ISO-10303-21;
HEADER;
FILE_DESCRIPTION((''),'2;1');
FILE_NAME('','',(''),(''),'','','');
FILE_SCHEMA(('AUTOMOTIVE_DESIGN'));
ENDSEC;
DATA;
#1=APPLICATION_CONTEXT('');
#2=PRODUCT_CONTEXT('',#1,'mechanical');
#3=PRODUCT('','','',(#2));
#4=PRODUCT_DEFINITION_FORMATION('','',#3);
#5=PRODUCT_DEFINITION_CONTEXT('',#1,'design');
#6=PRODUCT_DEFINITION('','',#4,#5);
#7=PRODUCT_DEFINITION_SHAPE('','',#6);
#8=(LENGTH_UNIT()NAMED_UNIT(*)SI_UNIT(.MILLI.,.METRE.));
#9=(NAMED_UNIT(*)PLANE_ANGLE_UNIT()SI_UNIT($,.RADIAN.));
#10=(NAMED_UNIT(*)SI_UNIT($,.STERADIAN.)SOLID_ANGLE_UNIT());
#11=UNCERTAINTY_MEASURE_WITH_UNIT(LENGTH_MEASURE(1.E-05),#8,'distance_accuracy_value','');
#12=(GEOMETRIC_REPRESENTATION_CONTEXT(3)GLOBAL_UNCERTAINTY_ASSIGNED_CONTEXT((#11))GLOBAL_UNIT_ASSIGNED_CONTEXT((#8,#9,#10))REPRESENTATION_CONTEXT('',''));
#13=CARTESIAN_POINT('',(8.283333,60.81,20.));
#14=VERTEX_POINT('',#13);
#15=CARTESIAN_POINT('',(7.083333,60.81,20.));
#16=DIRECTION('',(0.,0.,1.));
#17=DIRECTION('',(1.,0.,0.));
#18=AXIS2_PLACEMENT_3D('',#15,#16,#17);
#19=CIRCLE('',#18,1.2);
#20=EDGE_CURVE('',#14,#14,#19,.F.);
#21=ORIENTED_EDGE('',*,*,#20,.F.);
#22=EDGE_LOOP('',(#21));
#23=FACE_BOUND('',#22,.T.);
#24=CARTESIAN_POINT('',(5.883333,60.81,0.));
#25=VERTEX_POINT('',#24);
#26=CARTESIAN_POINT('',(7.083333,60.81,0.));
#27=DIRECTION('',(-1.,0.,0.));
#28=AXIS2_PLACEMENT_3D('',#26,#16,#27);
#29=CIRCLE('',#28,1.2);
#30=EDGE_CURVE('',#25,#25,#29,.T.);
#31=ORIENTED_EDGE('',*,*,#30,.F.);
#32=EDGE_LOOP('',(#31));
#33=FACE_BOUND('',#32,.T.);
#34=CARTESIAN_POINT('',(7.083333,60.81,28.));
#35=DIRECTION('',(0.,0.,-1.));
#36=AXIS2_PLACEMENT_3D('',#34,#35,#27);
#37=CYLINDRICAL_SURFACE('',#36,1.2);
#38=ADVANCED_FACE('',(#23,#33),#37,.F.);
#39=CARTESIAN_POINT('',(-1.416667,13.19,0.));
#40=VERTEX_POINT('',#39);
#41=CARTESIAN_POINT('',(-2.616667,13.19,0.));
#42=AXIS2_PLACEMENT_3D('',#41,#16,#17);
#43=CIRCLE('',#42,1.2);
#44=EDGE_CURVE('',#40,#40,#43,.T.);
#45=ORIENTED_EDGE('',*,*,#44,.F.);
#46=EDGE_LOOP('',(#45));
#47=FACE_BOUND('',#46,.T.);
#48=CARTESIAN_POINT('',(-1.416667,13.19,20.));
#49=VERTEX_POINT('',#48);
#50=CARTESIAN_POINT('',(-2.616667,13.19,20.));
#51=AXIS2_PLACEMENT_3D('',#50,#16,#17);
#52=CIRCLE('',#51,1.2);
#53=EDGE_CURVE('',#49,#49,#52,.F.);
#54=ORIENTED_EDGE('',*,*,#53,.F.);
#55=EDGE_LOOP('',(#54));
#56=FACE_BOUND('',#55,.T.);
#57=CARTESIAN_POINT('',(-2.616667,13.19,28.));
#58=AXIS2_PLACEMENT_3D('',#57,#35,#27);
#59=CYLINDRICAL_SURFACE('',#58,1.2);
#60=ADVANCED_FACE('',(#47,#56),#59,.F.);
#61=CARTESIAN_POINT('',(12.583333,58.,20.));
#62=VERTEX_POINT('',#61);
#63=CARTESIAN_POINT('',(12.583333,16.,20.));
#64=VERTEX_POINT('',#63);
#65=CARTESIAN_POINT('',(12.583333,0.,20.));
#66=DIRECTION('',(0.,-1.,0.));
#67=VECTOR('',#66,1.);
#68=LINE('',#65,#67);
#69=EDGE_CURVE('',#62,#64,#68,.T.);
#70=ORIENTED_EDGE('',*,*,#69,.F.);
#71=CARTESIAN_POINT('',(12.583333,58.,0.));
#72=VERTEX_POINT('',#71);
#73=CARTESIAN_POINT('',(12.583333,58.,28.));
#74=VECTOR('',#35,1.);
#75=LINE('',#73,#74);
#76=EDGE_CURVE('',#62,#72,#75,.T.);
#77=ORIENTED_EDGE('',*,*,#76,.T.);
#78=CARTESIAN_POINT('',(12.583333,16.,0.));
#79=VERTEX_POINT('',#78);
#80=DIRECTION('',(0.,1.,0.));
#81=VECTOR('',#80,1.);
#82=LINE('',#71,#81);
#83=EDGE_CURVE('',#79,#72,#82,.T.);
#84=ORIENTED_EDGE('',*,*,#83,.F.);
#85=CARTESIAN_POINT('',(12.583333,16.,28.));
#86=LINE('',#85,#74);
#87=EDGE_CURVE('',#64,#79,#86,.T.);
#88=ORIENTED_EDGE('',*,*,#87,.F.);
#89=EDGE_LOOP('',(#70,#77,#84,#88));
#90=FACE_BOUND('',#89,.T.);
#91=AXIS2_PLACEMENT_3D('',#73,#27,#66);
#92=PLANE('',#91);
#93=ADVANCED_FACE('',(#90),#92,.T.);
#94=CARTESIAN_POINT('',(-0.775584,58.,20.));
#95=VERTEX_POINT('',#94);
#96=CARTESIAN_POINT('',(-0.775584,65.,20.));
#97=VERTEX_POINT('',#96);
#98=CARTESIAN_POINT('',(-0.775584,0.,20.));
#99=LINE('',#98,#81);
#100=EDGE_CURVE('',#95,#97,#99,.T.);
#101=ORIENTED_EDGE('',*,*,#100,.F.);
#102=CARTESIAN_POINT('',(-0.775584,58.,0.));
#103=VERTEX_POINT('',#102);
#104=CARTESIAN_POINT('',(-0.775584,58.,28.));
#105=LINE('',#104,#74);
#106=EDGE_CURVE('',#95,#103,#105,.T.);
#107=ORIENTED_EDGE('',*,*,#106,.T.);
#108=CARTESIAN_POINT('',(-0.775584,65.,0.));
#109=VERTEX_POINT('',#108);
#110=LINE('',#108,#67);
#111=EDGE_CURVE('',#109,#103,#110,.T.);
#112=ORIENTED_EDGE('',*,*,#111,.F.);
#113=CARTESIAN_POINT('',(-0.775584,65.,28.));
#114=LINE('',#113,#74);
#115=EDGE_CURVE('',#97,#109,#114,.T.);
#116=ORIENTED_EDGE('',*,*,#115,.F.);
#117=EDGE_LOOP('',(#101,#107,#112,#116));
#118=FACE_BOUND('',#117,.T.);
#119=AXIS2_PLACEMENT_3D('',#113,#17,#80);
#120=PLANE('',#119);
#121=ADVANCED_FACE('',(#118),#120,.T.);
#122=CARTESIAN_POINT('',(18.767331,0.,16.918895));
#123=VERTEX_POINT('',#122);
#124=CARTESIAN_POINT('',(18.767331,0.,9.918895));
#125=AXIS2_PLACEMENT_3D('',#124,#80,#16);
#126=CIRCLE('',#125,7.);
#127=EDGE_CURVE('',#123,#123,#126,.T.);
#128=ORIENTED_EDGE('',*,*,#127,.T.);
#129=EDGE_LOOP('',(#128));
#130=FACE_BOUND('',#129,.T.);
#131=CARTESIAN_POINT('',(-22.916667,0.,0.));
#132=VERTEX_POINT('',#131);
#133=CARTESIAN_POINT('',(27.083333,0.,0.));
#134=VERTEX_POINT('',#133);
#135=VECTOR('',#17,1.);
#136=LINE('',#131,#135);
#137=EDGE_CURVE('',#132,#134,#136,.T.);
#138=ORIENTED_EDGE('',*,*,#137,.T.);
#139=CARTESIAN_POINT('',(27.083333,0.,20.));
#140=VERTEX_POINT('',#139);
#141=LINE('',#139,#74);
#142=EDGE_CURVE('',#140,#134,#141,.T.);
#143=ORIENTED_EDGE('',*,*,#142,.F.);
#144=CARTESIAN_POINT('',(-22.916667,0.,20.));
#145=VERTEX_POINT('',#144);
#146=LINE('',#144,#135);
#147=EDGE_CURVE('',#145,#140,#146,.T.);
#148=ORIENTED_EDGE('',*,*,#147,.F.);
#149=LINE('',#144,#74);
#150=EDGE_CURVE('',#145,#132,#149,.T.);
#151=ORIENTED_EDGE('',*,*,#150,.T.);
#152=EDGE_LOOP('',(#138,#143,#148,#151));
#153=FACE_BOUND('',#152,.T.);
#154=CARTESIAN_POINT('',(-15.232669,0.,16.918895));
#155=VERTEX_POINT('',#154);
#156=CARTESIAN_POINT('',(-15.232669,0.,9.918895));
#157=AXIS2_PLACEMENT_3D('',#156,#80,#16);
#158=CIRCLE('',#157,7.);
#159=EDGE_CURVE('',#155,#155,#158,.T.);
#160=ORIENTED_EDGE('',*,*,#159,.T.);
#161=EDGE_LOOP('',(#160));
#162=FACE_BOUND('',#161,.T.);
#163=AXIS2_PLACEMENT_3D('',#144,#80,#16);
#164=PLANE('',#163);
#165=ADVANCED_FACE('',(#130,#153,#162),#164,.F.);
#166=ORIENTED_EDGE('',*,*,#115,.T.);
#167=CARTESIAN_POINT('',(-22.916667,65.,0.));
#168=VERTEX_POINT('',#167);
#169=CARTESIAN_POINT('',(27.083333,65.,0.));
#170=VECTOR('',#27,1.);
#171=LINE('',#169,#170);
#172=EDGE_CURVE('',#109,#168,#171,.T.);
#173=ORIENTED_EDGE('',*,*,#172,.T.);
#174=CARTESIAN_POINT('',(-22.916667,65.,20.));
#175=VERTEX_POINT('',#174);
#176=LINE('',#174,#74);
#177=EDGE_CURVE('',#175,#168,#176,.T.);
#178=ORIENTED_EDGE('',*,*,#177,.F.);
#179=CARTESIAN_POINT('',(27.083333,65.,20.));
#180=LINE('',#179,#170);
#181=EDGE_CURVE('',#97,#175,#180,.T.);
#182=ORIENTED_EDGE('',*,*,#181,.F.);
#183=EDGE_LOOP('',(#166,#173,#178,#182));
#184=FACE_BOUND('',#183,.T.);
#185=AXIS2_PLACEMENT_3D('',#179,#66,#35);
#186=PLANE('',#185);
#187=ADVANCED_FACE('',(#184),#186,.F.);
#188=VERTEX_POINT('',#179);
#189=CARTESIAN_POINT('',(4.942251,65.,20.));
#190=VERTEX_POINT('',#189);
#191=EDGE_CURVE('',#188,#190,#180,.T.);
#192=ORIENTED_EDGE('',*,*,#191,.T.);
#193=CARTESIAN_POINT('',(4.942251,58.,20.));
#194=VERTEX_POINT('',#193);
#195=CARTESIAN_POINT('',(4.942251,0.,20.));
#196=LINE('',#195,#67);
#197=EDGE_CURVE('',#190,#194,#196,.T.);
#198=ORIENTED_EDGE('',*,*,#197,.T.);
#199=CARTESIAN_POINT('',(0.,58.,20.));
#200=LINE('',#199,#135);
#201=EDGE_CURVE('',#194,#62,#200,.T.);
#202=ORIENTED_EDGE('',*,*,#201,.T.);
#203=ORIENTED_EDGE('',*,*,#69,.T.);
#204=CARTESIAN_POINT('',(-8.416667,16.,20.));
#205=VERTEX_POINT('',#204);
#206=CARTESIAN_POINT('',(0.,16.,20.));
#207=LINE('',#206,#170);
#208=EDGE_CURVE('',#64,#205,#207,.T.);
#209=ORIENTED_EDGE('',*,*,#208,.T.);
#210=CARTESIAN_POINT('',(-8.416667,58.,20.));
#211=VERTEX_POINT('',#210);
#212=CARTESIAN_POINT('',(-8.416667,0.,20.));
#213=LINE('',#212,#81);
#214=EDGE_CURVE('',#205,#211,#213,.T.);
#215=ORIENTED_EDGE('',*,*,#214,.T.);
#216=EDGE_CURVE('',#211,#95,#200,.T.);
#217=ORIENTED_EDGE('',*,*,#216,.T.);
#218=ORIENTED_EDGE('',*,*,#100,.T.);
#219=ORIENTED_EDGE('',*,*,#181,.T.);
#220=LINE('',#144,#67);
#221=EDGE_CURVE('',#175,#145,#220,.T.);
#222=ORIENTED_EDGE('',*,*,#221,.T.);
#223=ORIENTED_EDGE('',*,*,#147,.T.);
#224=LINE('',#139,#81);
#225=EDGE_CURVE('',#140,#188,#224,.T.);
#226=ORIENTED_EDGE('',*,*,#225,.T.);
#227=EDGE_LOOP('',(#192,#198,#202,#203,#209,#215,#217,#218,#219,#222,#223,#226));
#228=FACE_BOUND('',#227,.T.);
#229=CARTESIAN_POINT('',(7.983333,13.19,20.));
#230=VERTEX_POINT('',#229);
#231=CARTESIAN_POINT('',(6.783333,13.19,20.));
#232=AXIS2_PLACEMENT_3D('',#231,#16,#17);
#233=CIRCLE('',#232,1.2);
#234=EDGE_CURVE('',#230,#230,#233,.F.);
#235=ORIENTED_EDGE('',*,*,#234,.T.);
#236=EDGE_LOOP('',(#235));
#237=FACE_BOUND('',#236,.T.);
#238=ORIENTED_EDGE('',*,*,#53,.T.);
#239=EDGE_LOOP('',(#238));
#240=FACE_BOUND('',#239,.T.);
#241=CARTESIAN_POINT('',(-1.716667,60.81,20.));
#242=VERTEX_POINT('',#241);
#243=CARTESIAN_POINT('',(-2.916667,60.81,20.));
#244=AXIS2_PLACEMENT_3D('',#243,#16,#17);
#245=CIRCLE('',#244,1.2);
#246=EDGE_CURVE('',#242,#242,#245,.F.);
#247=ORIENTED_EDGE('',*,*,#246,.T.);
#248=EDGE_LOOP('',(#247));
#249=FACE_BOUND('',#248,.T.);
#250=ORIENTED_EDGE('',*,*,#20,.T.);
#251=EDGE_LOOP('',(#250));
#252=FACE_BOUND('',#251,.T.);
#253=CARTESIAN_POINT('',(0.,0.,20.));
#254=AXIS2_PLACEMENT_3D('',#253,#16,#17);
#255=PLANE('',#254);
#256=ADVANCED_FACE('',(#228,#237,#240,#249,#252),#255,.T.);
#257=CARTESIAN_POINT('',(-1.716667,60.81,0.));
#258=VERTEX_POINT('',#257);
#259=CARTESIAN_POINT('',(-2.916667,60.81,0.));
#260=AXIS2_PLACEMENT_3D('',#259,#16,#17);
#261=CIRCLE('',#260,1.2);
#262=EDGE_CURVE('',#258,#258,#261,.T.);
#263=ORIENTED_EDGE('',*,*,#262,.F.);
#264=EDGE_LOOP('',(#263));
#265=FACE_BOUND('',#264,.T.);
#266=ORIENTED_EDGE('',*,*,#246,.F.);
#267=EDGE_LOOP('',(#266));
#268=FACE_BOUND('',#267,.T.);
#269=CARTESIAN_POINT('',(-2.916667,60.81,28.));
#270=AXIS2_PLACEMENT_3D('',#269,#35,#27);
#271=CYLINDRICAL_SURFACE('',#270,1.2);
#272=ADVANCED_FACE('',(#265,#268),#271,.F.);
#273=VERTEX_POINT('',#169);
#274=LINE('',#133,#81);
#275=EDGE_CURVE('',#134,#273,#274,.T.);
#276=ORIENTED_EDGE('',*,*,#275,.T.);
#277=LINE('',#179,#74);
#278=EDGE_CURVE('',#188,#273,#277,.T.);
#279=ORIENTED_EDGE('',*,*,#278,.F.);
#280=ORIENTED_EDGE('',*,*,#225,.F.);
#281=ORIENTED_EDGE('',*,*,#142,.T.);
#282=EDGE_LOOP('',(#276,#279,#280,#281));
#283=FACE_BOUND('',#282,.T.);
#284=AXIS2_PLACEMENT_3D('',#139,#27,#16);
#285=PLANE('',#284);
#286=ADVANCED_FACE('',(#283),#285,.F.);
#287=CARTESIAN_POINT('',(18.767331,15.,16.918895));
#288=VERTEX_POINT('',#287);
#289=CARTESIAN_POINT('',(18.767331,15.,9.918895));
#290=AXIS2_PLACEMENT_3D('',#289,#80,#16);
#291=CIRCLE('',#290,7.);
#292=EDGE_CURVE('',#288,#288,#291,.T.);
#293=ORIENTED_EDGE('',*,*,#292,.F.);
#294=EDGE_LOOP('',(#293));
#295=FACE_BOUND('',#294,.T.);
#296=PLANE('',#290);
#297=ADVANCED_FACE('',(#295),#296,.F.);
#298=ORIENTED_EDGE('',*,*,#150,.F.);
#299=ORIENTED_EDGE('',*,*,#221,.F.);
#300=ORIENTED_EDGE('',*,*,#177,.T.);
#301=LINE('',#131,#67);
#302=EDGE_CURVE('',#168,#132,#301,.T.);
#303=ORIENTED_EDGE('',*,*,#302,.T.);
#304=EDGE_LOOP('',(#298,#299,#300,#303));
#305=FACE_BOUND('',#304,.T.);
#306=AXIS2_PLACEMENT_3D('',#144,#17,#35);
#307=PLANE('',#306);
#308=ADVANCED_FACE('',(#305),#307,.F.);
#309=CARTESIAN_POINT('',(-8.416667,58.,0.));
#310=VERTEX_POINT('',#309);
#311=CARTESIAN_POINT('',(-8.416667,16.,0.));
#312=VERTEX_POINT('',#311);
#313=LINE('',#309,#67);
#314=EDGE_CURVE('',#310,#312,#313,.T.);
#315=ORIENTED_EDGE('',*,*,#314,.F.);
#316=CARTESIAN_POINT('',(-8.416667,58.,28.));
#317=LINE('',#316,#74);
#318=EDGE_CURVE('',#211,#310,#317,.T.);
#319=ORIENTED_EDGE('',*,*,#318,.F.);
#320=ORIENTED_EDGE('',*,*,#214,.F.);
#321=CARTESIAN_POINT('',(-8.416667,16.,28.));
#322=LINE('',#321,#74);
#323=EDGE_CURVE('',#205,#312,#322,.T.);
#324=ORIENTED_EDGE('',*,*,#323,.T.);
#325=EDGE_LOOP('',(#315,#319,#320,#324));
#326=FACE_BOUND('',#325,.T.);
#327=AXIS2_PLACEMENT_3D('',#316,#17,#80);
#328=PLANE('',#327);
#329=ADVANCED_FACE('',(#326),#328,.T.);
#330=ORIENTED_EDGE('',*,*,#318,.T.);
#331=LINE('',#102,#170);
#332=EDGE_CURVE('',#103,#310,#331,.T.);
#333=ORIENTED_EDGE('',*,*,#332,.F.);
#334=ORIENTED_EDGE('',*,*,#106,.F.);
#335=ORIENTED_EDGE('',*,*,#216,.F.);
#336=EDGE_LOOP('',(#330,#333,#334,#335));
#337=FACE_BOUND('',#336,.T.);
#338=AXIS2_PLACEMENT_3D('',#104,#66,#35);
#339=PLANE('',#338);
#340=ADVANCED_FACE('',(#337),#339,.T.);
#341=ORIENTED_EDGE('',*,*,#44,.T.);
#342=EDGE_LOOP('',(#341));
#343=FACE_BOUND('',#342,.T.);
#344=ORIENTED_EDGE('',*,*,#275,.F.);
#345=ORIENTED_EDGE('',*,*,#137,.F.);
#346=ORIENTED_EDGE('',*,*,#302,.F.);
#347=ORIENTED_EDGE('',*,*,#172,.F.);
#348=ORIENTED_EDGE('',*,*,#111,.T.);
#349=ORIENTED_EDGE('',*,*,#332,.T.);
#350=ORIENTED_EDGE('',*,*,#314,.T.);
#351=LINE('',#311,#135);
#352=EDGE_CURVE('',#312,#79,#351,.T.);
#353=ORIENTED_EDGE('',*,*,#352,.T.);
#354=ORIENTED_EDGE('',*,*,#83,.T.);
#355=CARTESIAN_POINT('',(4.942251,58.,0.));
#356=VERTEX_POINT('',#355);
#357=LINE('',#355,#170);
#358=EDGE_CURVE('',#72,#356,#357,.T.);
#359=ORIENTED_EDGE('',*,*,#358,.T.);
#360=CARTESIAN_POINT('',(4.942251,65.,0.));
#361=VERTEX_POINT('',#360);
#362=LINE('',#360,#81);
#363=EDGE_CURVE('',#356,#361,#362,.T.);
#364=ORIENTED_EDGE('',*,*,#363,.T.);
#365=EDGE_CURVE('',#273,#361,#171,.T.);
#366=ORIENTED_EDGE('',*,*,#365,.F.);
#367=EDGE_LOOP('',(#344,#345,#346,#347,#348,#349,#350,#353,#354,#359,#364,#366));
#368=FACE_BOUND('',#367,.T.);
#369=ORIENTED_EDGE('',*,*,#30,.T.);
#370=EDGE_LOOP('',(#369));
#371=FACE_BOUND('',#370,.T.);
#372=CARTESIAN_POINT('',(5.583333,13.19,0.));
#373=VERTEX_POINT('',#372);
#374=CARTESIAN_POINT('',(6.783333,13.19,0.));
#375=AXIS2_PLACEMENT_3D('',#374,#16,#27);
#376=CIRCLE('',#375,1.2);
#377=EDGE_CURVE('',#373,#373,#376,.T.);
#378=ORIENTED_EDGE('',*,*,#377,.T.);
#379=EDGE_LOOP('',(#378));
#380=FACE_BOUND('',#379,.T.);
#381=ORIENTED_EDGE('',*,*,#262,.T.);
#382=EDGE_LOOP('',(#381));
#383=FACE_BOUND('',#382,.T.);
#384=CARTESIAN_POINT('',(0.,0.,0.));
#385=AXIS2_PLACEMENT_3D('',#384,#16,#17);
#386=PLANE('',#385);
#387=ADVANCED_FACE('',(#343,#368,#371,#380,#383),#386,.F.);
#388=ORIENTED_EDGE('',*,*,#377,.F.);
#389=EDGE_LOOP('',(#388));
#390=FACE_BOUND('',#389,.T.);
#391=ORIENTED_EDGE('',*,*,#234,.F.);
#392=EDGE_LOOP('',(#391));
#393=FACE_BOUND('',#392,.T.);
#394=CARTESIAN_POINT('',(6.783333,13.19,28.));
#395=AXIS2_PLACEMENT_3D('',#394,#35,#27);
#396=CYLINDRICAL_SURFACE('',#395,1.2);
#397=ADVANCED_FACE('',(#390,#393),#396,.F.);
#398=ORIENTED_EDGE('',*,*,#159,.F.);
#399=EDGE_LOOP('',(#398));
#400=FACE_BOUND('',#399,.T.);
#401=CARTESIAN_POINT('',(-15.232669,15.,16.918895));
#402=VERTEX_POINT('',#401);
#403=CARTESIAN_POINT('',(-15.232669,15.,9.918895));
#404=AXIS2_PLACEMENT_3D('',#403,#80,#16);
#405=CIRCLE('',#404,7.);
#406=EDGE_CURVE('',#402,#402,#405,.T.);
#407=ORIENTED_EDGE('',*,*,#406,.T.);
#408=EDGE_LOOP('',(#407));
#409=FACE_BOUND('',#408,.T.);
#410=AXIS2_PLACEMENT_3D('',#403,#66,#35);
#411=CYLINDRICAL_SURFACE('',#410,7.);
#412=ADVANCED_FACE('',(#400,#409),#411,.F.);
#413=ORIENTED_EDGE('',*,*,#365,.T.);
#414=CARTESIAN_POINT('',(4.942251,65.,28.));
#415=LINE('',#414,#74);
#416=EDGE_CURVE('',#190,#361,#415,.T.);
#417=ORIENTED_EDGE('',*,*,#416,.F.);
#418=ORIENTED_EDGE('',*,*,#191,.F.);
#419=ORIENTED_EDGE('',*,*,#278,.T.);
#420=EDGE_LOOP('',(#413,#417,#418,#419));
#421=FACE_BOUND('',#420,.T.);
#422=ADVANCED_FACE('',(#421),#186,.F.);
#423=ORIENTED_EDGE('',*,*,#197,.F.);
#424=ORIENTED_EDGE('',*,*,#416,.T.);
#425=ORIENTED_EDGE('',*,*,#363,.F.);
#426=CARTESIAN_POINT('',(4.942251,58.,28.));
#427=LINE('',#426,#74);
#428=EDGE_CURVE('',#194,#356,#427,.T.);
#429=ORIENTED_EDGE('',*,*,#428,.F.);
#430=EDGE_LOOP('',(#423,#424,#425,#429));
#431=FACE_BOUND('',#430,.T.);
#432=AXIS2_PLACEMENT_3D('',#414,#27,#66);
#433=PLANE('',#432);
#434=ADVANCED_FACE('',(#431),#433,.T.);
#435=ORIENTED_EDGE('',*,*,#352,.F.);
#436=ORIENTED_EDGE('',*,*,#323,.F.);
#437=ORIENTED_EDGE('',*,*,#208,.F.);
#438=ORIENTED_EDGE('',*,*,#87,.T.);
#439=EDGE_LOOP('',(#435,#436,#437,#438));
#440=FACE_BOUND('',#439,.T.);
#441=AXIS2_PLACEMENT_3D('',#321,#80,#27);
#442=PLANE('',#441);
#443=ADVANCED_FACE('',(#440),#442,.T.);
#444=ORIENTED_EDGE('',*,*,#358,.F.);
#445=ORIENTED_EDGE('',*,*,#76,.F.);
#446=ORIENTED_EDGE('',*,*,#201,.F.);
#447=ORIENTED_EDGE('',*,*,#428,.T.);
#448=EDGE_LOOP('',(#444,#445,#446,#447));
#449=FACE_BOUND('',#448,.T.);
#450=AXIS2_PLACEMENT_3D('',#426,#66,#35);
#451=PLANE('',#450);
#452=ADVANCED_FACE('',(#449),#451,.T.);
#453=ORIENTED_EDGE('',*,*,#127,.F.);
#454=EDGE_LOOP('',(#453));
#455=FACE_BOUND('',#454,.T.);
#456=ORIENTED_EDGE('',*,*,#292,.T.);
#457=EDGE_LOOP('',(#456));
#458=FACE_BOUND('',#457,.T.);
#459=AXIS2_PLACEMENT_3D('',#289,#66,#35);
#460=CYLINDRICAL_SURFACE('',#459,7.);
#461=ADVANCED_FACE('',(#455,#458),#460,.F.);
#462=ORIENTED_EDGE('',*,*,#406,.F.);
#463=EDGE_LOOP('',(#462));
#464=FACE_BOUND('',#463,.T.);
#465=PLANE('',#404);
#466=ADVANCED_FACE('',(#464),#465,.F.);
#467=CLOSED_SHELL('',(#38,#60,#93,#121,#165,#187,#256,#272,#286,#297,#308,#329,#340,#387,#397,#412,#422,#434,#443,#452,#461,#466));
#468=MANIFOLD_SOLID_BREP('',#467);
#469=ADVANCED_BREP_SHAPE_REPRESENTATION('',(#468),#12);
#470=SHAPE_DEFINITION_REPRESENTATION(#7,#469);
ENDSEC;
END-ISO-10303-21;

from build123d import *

# Parameters (mm, degrees)
SKETCH_1_W          = 50
SKETCH_1_H          = 65
BOSS_EXTRUDE1_DEPTH = 20
SKETCH11_R          = 1.2
CUT_EXTRUDE1_DEPTH  = 28
SKETCH12_R          = 7
CUT_EXTRUDE2_DEPTH  = 15


with BuildPart() as part:
    # 草圖1 → Boss-Extrude1 (new body)
    with BuildSketch(Plane.XY):
        with Locations((2.083333333, 32.5)):
            Rectangle(SKETCH_1_W, SKETCH_1_H)
    extrude(amount=BOSS_EXTRUDE1_DEPTH)

    # Sketch11 → Cut-Extrude1 (cut)
    with BuildSketch(Plane.XY):
        with Locations((-2.916666667, 60.81)):
            Circle(SKETCH11_R)
        with Locations((-2.616666667, 13.19)):
            Circle(SKETCH11_R)
        with Locations((6.783333333, 13.19)):
            Circle(SKETCH11_R)
        with Locations((7.083333333, 60.81)):
            Circle(SKETCH11_R)
        Polygon((4.942250508, 65), (-0.775583841, 65), (-0.775583841, 58), (-8.416666667, 58), (-8.416666667, 16), (12.583333333, 16), (12.583333333, 58), (4.942250508, 58), align=None)
    extrude(amount=CUT_EXTRUDE1_DEPTH, mode=Mode.SUBTRACT)

    # Sketch12 → Cut-Extrude2 (cut)
    with BuildSketch(Plane(origin=(0, 0, 0), x_dir=(1, 0, 0), z_dir=(0, 1, 0))):
        with Locations((-15.232669486, -9.9188946)):
            Circle(SKETCH12_R)
        with Locations((18.767330514, -9.9188946)):
            Circle(SKETCH12_R)
    extrude(amount=CUT_EXTRUDE2_DEPTH, mode=Mode.SUBTRACT)


solid = part.part
